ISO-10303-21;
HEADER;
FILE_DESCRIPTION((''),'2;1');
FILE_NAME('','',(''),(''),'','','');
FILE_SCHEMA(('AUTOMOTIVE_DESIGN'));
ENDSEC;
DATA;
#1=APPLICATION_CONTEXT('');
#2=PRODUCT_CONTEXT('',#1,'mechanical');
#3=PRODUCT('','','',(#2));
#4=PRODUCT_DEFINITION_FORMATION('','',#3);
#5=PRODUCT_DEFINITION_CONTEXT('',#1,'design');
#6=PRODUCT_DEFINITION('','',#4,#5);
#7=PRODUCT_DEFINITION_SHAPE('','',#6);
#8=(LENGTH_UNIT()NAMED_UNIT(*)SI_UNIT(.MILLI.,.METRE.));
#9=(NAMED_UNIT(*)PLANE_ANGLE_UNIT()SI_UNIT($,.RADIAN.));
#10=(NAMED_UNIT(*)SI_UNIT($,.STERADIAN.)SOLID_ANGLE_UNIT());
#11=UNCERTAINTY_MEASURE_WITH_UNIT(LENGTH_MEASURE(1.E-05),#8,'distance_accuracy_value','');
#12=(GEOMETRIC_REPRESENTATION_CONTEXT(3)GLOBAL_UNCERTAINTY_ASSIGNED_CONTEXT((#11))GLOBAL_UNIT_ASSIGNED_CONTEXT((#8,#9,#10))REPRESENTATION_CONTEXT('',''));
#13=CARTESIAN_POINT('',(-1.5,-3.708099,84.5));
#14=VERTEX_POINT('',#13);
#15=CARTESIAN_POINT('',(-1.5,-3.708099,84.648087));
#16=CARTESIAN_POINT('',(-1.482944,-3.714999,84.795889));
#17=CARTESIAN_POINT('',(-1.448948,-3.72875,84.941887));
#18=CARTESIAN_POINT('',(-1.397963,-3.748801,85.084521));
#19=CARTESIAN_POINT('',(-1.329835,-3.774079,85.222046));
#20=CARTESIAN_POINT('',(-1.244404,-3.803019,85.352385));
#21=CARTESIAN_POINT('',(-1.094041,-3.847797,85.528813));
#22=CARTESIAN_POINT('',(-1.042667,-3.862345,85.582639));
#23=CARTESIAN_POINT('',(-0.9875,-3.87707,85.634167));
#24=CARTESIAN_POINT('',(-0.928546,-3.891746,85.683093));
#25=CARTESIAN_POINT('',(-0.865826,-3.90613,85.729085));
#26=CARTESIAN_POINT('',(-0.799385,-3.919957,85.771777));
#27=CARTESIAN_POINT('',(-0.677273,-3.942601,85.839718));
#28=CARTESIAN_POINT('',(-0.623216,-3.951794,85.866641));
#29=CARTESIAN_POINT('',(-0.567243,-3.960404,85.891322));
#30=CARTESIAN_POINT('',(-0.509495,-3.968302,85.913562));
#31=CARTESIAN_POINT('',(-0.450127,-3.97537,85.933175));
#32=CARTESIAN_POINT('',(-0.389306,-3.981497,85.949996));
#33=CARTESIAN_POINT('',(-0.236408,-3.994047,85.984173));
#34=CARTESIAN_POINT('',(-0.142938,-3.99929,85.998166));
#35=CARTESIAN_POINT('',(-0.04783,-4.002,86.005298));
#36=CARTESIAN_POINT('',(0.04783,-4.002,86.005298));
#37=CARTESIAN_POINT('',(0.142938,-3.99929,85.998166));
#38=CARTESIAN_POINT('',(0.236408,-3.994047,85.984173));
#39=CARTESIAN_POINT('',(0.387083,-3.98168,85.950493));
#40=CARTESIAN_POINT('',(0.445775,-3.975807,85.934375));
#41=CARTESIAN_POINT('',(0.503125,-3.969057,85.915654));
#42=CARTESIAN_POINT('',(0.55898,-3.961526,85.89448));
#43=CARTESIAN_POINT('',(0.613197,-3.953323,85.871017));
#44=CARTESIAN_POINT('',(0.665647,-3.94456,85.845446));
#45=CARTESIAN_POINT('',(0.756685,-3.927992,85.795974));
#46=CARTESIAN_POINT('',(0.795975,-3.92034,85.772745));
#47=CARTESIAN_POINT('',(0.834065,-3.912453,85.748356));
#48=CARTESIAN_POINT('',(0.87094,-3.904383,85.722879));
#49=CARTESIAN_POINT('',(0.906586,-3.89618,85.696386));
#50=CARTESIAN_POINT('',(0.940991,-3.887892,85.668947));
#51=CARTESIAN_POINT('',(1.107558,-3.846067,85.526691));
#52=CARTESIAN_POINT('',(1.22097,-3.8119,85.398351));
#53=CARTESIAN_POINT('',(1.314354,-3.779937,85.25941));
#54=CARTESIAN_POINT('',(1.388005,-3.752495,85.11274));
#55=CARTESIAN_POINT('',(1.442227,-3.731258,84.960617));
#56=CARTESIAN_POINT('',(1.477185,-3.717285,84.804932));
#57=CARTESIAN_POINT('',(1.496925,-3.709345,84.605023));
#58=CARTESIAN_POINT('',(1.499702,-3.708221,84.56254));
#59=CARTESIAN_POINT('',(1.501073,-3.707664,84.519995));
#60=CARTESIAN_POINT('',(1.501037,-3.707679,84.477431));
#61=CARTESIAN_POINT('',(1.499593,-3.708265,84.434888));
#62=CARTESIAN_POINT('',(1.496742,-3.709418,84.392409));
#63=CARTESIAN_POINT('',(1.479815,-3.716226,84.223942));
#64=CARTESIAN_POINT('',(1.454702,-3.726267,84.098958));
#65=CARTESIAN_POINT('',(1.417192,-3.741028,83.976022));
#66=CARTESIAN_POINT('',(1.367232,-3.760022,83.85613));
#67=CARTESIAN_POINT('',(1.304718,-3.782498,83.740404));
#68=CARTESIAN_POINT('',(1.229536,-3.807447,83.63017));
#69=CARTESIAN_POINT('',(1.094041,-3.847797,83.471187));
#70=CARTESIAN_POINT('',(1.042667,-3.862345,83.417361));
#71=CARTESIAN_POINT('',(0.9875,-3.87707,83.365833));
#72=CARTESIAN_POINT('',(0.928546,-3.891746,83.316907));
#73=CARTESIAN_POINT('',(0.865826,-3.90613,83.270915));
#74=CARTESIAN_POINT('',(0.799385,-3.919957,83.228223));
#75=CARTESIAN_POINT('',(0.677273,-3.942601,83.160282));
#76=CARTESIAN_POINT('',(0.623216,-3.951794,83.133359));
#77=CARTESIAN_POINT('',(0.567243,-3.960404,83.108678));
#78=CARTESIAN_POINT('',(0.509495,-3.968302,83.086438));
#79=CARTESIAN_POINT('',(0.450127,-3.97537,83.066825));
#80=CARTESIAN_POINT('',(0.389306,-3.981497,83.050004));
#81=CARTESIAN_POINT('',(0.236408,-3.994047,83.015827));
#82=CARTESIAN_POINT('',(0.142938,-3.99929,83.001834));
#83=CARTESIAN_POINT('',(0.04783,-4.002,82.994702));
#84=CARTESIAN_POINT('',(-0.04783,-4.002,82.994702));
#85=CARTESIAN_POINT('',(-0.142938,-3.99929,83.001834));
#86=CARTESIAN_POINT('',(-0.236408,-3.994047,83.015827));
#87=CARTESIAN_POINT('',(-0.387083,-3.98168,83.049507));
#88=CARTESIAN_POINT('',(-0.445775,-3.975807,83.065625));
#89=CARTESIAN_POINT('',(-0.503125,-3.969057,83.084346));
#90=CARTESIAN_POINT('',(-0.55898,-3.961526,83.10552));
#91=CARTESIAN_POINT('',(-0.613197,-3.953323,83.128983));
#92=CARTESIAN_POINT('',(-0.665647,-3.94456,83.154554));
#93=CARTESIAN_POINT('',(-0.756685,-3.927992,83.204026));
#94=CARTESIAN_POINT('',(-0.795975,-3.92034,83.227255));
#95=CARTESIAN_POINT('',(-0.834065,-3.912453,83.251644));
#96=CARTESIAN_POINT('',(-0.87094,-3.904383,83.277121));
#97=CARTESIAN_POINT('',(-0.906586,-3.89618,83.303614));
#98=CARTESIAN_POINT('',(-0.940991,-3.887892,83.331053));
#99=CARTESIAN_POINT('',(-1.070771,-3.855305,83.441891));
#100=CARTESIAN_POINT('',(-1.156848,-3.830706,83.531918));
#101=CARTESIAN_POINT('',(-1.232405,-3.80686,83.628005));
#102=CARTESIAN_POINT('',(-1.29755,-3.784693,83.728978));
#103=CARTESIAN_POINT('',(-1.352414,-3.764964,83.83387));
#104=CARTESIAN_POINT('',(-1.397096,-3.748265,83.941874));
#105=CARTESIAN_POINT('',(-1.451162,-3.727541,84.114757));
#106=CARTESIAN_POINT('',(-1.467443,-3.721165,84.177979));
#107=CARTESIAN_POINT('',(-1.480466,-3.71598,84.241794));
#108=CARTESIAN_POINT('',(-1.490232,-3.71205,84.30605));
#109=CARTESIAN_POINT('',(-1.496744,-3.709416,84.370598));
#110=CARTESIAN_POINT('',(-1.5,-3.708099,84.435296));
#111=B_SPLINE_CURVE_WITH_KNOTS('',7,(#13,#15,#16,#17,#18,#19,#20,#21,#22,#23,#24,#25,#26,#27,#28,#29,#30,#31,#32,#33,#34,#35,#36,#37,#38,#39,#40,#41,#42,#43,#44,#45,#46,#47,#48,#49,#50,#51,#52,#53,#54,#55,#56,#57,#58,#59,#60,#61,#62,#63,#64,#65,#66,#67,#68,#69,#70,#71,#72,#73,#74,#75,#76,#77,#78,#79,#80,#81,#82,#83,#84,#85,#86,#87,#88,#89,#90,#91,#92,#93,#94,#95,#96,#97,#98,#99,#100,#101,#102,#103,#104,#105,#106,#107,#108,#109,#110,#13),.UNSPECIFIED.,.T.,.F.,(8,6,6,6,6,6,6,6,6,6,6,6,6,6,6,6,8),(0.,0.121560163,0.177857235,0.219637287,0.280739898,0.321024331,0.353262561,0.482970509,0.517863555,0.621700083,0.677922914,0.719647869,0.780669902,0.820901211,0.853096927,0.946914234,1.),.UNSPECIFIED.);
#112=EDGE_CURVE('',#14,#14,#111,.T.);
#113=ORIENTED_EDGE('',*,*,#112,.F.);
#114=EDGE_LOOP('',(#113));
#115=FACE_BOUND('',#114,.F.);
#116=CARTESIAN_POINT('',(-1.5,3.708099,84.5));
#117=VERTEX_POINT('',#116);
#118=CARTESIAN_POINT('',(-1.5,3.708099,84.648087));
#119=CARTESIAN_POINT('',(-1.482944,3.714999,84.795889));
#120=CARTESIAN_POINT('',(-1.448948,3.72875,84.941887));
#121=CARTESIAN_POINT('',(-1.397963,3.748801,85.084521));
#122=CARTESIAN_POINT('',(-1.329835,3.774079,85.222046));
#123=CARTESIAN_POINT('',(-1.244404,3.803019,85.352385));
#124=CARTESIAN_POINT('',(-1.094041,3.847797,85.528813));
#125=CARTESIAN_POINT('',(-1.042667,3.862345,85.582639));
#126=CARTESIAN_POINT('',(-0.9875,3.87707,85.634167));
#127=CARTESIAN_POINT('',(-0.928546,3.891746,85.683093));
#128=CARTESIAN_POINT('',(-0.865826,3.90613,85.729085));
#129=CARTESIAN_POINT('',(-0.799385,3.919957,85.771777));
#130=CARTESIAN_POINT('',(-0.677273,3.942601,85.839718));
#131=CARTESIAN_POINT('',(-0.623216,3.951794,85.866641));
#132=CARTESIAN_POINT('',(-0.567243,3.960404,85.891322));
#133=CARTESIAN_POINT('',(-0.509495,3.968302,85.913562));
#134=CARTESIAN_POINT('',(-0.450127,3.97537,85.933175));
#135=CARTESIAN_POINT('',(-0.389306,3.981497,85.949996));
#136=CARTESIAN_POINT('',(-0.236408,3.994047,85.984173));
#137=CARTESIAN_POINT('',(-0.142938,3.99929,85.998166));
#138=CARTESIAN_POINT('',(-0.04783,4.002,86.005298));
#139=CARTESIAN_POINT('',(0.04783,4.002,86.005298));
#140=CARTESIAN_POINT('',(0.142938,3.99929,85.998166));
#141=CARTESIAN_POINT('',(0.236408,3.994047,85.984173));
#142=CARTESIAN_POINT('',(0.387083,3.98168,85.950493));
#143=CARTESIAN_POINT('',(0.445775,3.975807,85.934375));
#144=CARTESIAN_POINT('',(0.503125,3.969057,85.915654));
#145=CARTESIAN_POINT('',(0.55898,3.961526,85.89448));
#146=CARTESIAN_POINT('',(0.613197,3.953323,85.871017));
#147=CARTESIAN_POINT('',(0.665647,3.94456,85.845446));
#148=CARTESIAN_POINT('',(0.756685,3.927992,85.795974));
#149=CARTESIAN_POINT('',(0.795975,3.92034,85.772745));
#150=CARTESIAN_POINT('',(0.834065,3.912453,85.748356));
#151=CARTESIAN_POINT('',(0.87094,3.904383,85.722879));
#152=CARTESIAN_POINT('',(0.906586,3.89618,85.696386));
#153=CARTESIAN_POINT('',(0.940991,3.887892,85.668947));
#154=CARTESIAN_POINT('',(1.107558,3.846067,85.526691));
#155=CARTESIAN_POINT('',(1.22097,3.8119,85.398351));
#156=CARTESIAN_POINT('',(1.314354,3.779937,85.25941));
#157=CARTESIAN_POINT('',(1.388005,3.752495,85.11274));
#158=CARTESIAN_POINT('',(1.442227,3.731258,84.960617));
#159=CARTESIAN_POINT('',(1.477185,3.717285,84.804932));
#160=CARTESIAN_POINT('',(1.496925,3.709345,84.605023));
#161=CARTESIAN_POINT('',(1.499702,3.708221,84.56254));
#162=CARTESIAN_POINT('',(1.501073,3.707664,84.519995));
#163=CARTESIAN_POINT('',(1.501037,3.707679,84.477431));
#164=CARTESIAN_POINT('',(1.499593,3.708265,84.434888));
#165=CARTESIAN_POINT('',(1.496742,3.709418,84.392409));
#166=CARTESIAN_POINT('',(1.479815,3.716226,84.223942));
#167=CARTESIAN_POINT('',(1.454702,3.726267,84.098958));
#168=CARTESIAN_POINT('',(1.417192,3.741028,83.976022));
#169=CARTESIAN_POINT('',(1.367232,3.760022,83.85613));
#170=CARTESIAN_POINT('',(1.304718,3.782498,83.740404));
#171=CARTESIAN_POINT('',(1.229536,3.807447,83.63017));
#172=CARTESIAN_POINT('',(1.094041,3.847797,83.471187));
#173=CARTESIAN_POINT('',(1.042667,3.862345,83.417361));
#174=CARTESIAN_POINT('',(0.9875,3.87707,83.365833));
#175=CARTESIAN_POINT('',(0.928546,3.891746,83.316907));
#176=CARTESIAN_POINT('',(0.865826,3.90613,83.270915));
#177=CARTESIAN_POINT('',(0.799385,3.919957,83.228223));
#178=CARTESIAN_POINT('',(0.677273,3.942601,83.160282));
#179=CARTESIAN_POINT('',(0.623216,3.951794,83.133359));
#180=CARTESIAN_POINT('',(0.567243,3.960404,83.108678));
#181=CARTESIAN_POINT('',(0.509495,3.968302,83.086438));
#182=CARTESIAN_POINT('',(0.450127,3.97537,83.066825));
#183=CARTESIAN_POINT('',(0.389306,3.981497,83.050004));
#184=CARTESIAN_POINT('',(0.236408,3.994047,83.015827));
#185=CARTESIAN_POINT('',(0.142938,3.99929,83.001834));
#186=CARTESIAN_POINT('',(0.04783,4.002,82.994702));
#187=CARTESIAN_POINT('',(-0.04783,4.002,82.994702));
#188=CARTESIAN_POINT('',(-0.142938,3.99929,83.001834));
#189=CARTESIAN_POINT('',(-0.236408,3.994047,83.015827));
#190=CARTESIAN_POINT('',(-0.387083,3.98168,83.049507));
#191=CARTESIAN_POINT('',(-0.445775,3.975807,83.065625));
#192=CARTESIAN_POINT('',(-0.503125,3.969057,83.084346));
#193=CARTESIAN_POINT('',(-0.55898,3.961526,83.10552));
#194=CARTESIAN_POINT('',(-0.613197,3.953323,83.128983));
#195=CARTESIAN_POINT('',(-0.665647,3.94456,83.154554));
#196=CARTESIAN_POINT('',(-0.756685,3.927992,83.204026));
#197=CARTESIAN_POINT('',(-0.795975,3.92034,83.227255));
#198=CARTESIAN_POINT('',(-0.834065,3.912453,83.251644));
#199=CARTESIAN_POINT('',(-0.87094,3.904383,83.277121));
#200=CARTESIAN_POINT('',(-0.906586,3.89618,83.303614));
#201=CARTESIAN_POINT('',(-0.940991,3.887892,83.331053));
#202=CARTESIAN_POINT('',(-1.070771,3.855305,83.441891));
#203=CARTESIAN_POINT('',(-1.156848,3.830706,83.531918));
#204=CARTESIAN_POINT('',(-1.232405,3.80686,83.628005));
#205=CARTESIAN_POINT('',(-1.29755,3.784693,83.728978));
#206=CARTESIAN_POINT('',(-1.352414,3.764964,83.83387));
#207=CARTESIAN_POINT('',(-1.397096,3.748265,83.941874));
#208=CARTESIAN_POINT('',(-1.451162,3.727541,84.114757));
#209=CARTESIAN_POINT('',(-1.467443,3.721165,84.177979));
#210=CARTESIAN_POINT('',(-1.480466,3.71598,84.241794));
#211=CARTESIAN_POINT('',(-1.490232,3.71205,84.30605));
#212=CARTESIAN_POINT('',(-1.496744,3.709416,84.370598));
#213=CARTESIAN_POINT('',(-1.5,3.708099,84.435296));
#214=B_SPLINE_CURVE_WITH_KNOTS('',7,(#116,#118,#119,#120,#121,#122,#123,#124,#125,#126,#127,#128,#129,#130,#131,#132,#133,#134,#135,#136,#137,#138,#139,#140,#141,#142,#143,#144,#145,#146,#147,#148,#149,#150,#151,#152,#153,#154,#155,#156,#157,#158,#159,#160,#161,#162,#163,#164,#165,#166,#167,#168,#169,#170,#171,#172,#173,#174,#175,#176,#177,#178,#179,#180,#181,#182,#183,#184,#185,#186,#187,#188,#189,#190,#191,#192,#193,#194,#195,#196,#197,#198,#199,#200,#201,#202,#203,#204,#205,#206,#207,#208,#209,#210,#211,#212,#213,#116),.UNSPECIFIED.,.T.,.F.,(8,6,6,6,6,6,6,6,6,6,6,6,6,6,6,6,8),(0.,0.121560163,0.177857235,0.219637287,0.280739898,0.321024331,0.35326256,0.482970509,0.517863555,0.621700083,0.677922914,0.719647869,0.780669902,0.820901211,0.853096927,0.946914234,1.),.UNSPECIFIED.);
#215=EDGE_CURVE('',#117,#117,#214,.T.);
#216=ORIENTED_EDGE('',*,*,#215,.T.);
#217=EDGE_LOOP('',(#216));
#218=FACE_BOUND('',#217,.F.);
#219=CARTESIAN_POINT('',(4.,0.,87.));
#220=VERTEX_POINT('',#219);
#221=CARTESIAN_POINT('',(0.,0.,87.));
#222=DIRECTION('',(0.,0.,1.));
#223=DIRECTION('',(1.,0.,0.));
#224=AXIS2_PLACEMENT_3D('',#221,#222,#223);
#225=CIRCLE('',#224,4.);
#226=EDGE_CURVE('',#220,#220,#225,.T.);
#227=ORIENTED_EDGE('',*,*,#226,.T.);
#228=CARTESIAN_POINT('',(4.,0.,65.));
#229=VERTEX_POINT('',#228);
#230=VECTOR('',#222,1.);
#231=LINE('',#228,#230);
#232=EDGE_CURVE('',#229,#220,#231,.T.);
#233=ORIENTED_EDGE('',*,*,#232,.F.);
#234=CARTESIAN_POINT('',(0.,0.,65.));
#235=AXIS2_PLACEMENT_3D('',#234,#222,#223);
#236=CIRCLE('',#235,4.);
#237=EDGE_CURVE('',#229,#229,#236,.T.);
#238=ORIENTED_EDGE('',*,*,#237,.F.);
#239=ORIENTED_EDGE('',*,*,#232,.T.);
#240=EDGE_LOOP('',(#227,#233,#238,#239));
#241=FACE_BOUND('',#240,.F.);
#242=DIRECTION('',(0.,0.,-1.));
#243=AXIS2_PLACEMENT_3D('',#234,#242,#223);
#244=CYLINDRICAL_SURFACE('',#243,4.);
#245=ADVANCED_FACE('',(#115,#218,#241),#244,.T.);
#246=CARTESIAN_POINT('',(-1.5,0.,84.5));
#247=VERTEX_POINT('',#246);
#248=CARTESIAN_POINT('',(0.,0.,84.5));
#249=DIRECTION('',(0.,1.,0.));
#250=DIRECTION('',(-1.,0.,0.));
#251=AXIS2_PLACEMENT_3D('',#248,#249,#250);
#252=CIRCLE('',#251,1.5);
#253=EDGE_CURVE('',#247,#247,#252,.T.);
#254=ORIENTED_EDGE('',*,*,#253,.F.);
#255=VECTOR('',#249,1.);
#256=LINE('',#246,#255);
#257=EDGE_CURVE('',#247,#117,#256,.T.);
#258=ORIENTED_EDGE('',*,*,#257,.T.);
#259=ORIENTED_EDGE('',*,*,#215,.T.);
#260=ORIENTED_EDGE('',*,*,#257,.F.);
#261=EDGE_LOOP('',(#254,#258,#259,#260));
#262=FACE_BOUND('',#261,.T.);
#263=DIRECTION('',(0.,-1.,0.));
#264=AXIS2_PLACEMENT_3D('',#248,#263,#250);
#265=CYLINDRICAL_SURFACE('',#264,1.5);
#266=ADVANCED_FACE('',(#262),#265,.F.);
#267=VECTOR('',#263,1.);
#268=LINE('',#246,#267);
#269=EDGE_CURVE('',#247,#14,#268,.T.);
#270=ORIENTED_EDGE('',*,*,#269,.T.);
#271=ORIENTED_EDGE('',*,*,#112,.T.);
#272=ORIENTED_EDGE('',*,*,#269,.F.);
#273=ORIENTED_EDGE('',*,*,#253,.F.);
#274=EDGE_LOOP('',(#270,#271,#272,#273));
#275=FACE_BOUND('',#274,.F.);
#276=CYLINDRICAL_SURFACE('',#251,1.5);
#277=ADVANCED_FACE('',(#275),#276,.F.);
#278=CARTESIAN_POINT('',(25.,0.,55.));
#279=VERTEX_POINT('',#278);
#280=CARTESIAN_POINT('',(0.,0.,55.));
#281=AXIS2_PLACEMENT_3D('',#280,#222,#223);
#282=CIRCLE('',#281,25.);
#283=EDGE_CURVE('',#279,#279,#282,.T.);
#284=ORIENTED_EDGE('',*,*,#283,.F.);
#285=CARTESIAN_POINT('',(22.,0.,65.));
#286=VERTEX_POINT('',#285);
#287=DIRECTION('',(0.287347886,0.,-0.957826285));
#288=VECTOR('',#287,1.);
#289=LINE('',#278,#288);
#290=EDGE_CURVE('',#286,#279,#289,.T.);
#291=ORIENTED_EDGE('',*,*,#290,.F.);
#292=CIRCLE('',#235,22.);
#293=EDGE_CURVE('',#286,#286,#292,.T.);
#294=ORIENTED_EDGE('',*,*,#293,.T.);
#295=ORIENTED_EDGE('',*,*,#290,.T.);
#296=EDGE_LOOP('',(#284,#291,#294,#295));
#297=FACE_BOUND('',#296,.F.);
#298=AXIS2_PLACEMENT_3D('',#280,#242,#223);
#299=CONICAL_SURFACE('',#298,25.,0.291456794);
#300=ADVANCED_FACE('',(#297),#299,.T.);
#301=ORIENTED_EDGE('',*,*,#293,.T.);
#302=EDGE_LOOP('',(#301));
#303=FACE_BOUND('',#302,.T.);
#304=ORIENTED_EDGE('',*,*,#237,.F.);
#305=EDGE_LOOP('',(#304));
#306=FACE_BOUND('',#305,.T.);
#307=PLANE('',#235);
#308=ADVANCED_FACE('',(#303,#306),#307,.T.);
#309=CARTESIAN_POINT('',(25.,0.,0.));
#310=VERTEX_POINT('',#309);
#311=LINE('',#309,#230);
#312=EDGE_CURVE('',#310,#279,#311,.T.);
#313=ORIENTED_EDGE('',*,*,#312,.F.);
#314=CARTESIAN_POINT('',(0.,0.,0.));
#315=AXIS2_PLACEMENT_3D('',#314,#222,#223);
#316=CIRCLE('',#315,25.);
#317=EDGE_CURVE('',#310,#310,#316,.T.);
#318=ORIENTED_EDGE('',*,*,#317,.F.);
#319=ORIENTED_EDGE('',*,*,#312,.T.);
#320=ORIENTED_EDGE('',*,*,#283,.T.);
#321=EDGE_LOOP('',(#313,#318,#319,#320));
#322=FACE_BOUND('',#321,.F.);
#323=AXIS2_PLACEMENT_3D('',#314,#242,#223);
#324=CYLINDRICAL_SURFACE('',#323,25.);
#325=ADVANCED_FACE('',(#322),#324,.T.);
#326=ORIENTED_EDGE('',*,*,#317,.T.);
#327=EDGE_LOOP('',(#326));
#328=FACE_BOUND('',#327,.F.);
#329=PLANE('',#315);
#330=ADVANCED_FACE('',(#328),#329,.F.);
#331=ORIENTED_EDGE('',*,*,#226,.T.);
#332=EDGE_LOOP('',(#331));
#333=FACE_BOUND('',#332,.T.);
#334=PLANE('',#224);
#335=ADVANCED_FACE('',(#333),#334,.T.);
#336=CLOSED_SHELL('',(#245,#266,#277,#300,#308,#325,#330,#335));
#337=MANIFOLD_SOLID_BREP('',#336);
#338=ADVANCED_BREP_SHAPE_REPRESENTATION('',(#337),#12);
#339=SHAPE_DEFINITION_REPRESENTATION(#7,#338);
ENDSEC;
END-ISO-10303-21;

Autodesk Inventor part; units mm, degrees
ref_plane "YZ Plane" through (0, 0, 0) normal (1, 0, 0) x (0, 1, 0)
sketch "Sketch2" plane through (0, 0, 0) normal (0, 0, 1) x (1, 0, 0)
  circle A0 centre (0, 0) radius 25
  dimension "d0" = 50
extrude "Extrusion1" add sketch "Sketch2" along normal blind 65
sketch "Sketch3" plane through (0, 0, 65) normal (0, 0, 1) x (1, 0, 0)
  circle A0 centre (0, 0) radius 4
  dimension "d3" = 8
extrude "Extrusion2" add sketch "Sketch3" along normal blind 22
ref_plane "Work Plane1" through (0, 0, 55) normal (0, 0, 1) x (1, 0, 0)
ref_plane "Work Plane2" through (0, 0, 10) normal (0, 0, -1) x (-1, 0, 0)
split_face "Split1"
split_face "Split2"
chamfer "Chamfer1" distance 3 distance2 10 1 edges at (-25, 0, 65) measured on face at (17.7191, -2.3134, 65)
sketch "Sketch4" plane through (0, 0, 0) normal (0, 1, 0) x (-1, 0, 0)
  line L0 (4, 87) -> (-4, 87) projected
  line L1 (-4, 65) -> (4, 65) projected
  circle A0 centre (0, 84.5) radius 1.5
  point P0 (0, 0)
  dimension "d11" = 3
  dimension "d12" = 2.5
extrude "Extrusion3" cut sketch "Sketch4" along normal through all both and the other way through all
properties part number "Motor" material "Aluminum 6061"
